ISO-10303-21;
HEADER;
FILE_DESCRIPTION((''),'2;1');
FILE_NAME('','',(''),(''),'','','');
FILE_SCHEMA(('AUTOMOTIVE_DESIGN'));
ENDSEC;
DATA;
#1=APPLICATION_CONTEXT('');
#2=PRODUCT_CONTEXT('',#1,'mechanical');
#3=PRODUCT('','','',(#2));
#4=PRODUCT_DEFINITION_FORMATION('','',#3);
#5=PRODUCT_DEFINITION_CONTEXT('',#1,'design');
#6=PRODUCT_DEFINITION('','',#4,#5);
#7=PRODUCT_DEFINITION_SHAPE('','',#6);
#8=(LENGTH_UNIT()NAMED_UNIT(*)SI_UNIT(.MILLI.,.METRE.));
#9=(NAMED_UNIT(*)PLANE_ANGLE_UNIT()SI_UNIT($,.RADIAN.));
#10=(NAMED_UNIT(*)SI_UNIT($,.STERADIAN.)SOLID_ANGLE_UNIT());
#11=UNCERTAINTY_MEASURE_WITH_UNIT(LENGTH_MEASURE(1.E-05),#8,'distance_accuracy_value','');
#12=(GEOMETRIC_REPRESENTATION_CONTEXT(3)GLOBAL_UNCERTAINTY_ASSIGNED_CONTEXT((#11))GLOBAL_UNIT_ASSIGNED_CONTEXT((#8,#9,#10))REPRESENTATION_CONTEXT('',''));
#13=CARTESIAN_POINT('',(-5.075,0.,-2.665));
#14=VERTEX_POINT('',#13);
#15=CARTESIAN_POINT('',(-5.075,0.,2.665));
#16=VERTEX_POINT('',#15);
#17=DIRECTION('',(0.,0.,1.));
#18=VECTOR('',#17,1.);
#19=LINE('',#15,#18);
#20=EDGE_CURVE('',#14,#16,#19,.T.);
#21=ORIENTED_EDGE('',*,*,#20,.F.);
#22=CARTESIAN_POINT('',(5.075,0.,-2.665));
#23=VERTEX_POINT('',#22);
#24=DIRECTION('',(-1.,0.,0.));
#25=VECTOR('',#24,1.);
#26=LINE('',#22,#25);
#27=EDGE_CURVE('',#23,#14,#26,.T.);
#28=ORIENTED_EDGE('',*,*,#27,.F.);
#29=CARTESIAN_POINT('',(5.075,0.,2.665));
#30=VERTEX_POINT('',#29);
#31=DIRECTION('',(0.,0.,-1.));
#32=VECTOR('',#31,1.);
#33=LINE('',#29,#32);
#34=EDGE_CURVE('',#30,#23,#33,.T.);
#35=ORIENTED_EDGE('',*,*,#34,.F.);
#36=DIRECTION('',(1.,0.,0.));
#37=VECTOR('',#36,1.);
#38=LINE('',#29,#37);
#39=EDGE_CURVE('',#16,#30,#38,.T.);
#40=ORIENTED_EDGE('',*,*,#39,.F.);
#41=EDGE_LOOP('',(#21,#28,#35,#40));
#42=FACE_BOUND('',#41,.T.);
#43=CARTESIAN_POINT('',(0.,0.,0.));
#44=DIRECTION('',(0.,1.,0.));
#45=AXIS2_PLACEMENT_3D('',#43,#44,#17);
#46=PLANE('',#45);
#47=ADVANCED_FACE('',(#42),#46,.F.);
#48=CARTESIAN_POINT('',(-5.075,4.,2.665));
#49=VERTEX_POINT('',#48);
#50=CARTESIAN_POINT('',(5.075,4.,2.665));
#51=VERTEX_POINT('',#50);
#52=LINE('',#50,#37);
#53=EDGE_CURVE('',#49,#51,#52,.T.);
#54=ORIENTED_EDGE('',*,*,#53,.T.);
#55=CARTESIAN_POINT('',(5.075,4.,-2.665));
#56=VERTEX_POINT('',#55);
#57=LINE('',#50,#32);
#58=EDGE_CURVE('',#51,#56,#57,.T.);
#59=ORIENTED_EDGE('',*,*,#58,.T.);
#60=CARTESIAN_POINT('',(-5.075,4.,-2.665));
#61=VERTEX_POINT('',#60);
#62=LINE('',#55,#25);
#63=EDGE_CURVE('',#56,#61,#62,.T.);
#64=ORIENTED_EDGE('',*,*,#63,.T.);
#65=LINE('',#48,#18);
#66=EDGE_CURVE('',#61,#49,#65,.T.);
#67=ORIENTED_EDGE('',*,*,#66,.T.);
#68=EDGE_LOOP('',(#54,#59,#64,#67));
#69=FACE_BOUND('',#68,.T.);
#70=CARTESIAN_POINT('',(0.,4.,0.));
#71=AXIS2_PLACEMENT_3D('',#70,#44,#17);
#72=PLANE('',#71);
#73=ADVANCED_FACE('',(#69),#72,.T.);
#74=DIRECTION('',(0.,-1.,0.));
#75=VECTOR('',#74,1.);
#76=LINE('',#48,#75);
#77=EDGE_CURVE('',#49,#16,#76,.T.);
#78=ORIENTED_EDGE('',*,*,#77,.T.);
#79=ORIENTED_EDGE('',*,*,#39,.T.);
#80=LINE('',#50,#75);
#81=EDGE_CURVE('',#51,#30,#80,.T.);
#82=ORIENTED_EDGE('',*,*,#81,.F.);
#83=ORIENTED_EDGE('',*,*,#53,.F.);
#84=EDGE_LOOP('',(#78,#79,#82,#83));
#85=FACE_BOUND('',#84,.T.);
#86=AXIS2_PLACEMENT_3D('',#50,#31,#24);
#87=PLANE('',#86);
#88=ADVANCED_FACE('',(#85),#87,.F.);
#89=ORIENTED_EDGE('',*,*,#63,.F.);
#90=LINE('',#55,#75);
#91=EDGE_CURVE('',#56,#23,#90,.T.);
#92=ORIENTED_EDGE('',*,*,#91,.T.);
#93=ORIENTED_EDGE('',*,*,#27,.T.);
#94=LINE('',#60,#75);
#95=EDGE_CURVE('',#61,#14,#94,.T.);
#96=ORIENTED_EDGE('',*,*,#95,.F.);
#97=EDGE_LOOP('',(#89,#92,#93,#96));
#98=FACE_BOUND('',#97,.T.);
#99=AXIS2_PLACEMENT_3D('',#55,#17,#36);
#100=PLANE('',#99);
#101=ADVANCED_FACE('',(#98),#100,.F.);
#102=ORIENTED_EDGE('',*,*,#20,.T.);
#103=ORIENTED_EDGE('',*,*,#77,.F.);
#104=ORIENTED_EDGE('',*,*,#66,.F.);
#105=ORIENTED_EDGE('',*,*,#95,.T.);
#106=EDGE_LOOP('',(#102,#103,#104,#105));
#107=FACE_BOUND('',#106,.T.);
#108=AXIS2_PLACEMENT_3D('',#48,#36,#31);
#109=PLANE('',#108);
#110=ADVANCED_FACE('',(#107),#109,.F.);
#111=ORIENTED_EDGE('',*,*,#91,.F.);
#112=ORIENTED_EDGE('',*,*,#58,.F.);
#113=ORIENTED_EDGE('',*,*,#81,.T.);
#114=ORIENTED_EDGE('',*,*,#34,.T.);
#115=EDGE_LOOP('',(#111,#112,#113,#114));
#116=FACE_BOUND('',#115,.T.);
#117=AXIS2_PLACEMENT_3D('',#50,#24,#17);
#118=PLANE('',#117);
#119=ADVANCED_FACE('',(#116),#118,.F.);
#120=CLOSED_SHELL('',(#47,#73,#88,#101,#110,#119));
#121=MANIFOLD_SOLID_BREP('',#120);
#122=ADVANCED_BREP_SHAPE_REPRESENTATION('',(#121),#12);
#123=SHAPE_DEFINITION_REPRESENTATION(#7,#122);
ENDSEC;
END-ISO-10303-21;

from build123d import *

# Parameters (mm, degrees)
ESQUISSE1_W        = 10.15
ESQUISSE1_H        = 5.33
BOSS_EXTRU_1_DEPTH = 4


with BuildPart() as part:
    # Esquisse1 → Boss.-Extru.1 (new body)
    with BuildSketch(Plane(origin=(0, 0, 0), x_dir=(1, 0, 0), z_dir=(0, 1, 0))):
        Rectangle(ESQUISSE1_W, ESQUISSE1_H)
    extrude(amount=BOSS_EXTRU_1_DEPTH)


solid = part.part
